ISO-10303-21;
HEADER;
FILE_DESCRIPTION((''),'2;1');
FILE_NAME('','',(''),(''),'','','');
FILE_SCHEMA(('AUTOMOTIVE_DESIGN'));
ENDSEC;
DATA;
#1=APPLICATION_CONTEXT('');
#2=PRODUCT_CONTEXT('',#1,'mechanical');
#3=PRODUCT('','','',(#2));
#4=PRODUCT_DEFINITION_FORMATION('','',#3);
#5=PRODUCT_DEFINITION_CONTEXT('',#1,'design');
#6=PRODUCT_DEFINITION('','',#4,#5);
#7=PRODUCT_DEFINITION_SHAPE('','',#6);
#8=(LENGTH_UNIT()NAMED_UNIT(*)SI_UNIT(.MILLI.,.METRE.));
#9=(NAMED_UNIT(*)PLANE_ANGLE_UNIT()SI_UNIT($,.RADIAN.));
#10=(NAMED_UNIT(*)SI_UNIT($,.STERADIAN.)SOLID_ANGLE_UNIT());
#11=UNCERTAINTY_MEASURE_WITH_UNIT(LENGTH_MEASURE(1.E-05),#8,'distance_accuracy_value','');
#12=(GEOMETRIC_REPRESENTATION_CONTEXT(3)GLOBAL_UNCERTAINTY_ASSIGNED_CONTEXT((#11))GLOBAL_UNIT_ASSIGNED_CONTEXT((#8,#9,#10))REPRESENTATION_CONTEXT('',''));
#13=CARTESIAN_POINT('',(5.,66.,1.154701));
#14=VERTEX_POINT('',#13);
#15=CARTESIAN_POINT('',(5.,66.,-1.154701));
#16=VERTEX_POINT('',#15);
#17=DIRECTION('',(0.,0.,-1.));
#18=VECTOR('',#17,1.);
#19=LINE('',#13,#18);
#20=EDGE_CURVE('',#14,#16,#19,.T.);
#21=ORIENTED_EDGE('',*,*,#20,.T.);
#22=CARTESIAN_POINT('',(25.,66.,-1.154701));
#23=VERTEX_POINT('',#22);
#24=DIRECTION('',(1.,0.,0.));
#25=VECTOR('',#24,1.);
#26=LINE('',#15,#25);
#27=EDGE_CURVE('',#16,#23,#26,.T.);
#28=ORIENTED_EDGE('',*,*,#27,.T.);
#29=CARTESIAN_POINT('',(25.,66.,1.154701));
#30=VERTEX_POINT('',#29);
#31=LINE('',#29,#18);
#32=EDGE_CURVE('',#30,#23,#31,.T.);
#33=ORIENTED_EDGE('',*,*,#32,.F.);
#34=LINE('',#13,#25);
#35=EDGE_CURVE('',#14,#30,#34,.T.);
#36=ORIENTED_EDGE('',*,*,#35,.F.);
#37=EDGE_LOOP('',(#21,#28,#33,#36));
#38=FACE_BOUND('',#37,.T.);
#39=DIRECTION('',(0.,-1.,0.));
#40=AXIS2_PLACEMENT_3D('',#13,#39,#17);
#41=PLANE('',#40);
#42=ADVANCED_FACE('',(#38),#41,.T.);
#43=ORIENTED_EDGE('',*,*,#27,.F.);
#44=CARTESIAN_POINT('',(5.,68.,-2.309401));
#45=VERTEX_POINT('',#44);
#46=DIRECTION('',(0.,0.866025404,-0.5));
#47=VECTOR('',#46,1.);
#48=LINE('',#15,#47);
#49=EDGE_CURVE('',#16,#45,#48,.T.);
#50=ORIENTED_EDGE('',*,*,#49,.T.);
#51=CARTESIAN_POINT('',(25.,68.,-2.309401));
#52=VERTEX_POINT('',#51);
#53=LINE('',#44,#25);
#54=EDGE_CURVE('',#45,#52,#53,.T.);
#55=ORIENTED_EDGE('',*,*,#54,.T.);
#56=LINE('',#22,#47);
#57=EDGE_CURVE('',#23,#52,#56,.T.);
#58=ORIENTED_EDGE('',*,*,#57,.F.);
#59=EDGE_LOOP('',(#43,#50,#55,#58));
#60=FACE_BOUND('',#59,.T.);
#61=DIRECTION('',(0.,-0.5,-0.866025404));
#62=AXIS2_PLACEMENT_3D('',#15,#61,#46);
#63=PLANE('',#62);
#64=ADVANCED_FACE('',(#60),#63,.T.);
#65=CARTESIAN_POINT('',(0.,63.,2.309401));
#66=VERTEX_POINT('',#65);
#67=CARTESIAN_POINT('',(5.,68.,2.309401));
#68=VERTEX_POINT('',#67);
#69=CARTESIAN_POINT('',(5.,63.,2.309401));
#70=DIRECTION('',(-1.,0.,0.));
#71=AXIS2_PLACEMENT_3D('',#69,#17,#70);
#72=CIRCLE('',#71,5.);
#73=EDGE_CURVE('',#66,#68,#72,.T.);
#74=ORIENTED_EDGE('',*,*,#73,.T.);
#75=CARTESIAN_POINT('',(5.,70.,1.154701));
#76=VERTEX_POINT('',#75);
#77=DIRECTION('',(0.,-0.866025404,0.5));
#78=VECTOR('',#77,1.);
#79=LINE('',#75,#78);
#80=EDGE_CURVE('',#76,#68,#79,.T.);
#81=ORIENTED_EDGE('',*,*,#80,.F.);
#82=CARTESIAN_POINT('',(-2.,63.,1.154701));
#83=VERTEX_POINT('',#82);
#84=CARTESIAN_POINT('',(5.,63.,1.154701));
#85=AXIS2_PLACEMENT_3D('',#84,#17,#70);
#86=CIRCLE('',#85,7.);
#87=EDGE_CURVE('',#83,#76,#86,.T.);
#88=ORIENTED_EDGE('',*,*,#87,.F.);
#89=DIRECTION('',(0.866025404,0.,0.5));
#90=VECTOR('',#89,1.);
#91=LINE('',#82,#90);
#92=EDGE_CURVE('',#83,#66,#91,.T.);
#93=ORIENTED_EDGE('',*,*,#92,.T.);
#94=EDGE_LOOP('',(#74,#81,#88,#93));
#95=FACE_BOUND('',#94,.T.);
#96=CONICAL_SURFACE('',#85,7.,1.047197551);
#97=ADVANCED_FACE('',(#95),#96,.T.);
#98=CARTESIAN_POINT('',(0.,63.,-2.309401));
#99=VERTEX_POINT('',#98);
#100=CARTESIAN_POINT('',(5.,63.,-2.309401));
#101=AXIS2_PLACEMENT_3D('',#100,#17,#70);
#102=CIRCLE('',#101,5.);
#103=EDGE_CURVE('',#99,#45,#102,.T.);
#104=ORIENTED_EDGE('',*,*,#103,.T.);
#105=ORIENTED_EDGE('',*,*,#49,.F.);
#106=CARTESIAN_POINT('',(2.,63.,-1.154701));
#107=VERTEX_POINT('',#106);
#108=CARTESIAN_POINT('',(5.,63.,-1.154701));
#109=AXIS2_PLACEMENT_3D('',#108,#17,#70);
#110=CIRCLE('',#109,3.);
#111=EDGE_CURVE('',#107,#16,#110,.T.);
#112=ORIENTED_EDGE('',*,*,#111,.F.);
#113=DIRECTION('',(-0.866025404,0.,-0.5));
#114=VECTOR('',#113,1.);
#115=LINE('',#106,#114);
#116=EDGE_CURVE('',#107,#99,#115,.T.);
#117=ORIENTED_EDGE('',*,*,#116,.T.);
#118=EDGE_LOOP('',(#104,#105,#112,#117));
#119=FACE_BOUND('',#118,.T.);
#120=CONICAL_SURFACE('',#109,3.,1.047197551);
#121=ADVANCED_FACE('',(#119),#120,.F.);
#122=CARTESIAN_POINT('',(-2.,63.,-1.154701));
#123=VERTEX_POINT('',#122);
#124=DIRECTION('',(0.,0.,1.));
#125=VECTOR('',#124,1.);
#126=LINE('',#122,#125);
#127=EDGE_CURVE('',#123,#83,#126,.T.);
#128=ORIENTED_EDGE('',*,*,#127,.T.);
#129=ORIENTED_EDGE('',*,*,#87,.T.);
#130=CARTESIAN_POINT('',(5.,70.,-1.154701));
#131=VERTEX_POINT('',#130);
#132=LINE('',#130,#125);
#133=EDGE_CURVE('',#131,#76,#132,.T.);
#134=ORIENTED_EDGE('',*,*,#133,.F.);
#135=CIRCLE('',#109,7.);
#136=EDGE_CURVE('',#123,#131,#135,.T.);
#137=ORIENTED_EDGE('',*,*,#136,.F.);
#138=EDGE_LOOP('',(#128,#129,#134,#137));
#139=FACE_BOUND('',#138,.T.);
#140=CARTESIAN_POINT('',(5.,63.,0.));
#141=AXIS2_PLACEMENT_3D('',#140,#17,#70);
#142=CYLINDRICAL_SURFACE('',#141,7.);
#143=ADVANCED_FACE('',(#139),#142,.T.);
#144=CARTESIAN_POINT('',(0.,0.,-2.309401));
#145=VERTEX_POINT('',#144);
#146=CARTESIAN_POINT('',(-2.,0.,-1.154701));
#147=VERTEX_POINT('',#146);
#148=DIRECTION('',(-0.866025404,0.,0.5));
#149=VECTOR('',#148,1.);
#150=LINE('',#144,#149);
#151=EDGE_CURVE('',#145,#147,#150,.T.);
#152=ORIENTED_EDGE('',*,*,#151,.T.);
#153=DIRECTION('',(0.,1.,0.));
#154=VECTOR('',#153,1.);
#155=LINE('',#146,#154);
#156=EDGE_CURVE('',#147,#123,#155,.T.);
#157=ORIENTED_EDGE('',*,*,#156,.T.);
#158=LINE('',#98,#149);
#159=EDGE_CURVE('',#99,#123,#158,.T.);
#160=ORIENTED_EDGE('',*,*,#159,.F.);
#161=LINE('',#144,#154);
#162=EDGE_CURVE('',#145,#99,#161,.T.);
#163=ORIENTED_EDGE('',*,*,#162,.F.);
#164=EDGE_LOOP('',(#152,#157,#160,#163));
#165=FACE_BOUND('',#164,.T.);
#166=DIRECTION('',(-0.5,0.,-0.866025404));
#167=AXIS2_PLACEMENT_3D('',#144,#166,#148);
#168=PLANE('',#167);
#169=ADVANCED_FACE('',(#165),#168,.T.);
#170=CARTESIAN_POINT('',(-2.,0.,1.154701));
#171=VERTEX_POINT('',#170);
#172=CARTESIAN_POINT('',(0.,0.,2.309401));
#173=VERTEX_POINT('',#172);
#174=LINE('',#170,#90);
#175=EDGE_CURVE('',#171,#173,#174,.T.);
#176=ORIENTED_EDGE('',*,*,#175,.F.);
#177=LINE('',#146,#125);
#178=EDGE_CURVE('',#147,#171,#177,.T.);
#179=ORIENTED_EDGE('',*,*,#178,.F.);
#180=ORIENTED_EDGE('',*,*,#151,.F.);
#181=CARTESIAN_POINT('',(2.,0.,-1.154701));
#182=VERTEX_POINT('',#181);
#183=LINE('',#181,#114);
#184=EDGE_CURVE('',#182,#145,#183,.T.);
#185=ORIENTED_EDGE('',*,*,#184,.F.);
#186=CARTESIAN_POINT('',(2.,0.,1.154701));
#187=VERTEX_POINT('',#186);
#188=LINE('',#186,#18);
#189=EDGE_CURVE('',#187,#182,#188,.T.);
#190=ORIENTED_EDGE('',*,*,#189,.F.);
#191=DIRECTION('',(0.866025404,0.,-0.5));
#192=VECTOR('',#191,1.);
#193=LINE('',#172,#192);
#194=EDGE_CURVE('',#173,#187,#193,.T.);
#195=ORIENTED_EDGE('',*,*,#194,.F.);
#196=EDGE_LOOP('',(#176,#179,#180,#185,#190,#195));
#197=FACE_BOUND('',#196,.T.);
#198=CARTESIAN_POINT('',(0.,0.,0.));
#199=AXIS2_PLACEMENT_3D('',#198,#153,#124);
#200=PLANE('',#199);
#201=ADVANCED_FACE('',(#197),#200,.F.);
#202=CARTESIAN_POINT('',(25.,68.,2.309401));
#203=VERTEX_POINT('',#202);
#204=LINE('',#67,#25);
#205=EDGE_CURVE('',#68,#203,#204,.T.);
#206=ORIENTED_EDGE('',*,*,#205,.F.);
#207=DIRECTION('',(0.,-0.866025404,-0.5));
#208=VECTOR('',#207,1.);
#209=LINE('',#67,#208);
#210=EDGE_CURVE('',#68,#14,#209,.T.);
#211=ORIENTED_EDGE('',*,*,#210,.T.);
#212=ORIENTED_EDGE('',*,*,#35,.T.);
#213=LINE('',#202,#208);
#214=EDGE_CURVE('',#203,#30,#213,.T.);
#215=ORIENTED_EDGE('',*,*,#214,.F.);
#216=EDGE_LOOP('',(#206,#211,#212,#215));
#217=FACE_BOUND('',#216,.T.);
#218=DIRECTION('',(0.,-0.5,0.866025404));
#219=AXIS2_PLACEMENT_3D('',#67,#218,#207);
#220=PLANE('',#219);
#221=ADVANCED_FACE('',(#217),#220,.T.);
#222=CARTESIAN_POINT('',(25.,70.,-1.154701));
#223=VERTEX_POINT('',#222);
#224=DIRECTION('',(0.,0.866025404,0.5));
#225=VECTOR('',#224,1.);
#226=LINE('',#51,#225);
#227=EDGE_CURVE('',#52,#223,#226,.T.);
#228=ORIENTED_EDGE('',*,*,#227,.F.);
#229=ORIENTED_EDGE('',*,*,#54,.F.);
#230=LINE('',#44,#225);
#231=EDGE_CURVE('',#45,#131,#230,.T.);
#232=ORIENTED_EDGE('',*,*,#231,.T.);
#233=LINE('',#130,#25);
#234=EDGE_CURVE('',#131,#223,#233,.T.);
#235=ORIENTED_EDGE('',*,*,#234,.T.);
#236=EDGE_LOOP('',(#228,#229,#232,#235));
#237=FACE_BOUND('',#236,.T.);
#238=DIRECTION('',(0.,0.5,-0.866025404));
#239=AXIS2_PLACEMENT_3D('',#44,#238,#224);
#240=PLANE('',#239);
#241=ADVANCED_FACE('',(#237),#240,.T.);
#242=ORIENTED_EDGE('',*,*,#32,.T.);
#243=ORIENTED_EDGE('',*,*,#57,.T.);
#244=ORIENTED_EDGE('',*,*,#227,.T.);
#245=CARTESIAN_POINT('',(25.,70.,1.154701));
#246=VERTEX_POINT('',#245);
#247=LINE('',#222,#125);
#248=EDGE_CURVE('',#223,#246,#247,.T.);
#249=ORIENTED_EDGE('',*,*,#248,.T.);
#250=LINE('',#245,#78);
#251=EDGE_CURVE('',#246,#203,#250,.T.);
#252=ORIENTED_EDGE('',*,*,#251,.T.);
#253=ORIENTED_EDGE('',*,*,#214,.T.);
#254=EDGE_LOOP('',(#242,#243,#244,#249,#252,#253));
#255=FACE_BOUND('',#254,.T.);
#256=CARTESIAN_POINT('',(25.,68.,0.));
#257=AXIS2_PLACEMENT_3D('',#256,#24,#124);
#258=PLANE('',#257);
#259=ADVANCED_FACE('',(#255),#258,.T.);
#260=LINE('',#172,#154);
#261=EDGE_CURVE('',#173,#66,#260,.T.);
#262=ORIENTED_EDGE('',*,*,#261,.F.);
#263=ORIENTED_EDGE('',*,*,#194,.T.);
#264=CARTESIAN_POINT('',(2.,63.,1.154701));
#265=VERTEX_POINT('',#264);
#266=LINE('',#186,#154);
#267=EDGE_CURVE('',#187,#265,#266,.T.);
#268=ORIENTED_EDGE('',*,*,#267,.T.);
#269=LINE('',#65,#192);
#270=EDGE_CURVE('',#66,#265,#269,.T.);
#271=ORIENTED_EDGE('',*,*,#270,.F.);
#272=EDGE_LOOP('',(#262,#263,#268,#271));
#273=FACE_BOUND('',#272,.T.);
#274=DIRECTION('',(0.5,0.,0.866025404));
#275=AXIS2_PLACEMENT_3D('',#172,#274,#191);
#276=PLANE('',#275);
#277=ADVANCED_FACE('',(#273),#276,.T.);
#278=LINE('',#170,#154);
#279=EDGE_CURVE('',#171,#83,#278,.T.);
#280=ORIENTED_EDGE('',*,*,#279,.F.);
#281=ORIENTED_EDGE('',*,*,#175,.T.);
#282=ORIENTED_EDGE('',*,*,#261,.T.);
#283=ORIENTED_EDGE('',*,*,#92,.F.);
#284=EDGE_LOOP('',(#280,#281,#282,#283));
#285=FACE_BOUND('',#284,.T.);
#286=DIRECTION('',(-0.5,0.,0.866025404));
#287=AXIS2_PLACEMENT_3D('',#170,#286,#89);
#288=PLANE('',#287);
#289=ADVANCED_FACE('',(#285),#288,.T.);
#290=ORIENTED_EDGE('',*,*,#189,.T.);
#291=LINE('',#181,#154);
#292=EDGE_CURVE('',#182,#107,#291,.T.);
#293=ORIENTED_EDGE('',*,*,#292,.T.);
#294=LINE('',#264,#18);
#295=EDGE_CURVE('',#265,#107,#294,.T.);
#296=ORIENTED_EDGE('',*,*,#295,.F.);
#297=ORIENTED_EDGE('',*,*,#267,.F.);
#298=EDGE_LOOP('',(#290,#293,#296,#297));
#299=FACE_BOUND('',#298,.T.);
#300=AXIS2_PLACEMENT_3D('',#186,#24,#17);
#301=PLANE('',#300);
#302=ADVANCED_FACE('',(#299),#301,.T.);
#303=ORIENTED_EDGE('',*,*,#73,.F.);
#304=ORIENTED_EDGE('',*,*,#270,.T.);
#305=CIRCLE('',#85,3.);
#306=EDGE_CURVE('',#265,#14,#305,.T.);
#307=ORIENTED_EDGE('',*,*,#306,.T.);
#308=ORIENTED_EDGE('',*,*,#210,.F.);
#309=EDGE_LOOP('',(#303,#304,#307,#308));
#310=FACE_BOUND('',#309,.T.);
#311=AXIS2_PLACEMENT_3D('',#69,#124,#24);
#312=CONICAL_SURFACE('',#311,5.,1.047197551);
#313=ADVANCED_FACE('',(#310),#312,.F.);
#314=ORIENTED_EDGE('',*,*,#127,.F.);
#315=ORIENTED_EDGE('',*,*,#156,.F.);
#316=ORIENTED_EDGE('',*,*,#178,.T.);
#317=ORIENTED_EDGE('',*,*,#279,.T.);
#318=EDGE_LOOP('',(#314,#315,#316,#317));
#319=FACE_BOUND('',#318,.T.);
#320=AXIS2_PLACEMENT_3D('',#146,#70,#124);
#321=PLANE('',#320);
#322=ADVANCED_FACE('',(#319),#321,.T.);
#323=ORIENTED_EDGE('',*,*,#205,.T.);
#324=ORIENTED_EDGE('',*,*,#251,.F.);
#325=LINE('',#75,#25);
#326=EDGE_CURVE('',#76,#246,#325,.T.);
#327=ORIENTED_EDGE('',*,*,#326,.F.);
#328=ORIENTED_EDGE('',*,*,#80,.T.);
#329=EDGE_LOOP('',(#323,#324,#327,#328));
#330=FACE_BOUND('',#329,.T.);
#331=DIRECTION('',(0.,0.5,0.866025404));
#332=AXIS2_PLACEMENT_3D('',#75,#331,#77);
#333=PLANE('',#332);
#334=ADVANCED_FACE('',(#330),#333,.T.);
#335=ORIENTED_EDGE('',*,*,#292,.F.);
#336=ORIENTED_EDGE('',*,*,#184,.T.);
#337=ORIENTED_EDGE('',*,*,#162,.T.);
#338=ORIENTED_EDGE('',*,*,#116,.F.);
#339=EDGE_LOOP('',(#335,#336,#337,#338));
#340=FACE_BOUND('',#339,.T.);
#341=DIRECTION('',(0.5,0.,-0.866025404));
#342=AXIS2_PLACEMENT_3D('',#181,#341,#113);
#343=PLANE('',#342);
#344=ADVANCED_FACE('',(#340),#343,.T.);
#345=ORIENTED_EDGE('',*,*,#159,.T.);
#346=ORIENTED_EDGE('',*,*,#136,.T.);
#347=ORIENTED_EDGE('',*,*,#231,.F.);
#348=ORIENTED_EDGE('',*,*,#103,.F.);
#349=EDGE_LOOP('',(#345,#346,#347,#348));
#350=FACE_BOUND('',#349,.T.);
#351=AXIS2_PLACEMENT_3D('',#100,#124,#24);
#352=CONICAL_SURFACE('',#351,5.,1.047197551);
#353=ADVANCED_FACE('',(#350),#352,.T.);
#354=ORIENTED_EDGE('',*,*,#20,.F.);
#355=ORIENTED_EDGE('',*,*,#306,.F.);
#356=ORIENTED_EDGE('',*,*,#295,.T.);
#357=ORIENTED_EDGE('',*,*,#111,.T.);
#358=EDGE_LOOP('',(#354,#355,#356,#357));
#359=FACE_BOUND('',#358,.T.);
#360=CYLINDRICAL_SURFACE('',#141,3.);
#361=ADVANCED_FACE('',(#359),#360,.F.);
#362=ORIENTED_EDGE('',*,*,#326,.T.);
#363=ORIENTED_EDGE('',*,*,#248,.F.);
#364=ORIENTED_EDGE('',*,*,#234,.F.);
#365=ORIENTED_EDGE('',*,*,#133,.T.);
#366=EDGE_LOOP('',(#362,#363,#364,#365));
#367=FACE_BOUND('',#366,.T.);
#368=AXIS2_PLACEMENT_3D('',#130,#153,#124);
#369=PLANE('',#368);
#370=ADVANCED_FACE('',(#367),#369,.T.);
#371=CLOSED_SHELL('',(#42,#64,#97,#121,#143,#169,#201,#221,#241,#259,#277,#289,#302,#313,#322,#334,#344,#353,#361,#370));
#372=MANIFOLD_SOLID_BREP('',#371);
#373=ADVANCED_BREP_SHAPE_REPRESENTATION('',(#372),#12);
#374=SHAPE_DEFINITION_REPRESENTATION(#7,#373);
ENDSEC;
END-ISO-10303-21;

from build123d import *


with BuildPart() as part:
    # Sweep1: sweep along a path in Sketch2
    with BuildLine(Plane.XY) as sweep1_path:
        Line((0, 0), (0, 63))
        ThreePointArc((0, 63), (1.464466094, 66.535533906), (5, 68))
        Line((5, 68), (25, 68))
    # Sketch1 → Sweep1 (sweep)
    with BuildSketch(Plane(origin=(0, 0, 0), x_dir=(1, 0, 0), z_dir=(0, 1, 0))):
        Polygon((2, -1.154700538), (2, 1.154700538), (0, 2.309401077), (-2, 1.154700538), (-2, -1.154700538), (0, -2.309401077), align=None)
    sweep(path=sweep1_path.line)


solid = part.part
